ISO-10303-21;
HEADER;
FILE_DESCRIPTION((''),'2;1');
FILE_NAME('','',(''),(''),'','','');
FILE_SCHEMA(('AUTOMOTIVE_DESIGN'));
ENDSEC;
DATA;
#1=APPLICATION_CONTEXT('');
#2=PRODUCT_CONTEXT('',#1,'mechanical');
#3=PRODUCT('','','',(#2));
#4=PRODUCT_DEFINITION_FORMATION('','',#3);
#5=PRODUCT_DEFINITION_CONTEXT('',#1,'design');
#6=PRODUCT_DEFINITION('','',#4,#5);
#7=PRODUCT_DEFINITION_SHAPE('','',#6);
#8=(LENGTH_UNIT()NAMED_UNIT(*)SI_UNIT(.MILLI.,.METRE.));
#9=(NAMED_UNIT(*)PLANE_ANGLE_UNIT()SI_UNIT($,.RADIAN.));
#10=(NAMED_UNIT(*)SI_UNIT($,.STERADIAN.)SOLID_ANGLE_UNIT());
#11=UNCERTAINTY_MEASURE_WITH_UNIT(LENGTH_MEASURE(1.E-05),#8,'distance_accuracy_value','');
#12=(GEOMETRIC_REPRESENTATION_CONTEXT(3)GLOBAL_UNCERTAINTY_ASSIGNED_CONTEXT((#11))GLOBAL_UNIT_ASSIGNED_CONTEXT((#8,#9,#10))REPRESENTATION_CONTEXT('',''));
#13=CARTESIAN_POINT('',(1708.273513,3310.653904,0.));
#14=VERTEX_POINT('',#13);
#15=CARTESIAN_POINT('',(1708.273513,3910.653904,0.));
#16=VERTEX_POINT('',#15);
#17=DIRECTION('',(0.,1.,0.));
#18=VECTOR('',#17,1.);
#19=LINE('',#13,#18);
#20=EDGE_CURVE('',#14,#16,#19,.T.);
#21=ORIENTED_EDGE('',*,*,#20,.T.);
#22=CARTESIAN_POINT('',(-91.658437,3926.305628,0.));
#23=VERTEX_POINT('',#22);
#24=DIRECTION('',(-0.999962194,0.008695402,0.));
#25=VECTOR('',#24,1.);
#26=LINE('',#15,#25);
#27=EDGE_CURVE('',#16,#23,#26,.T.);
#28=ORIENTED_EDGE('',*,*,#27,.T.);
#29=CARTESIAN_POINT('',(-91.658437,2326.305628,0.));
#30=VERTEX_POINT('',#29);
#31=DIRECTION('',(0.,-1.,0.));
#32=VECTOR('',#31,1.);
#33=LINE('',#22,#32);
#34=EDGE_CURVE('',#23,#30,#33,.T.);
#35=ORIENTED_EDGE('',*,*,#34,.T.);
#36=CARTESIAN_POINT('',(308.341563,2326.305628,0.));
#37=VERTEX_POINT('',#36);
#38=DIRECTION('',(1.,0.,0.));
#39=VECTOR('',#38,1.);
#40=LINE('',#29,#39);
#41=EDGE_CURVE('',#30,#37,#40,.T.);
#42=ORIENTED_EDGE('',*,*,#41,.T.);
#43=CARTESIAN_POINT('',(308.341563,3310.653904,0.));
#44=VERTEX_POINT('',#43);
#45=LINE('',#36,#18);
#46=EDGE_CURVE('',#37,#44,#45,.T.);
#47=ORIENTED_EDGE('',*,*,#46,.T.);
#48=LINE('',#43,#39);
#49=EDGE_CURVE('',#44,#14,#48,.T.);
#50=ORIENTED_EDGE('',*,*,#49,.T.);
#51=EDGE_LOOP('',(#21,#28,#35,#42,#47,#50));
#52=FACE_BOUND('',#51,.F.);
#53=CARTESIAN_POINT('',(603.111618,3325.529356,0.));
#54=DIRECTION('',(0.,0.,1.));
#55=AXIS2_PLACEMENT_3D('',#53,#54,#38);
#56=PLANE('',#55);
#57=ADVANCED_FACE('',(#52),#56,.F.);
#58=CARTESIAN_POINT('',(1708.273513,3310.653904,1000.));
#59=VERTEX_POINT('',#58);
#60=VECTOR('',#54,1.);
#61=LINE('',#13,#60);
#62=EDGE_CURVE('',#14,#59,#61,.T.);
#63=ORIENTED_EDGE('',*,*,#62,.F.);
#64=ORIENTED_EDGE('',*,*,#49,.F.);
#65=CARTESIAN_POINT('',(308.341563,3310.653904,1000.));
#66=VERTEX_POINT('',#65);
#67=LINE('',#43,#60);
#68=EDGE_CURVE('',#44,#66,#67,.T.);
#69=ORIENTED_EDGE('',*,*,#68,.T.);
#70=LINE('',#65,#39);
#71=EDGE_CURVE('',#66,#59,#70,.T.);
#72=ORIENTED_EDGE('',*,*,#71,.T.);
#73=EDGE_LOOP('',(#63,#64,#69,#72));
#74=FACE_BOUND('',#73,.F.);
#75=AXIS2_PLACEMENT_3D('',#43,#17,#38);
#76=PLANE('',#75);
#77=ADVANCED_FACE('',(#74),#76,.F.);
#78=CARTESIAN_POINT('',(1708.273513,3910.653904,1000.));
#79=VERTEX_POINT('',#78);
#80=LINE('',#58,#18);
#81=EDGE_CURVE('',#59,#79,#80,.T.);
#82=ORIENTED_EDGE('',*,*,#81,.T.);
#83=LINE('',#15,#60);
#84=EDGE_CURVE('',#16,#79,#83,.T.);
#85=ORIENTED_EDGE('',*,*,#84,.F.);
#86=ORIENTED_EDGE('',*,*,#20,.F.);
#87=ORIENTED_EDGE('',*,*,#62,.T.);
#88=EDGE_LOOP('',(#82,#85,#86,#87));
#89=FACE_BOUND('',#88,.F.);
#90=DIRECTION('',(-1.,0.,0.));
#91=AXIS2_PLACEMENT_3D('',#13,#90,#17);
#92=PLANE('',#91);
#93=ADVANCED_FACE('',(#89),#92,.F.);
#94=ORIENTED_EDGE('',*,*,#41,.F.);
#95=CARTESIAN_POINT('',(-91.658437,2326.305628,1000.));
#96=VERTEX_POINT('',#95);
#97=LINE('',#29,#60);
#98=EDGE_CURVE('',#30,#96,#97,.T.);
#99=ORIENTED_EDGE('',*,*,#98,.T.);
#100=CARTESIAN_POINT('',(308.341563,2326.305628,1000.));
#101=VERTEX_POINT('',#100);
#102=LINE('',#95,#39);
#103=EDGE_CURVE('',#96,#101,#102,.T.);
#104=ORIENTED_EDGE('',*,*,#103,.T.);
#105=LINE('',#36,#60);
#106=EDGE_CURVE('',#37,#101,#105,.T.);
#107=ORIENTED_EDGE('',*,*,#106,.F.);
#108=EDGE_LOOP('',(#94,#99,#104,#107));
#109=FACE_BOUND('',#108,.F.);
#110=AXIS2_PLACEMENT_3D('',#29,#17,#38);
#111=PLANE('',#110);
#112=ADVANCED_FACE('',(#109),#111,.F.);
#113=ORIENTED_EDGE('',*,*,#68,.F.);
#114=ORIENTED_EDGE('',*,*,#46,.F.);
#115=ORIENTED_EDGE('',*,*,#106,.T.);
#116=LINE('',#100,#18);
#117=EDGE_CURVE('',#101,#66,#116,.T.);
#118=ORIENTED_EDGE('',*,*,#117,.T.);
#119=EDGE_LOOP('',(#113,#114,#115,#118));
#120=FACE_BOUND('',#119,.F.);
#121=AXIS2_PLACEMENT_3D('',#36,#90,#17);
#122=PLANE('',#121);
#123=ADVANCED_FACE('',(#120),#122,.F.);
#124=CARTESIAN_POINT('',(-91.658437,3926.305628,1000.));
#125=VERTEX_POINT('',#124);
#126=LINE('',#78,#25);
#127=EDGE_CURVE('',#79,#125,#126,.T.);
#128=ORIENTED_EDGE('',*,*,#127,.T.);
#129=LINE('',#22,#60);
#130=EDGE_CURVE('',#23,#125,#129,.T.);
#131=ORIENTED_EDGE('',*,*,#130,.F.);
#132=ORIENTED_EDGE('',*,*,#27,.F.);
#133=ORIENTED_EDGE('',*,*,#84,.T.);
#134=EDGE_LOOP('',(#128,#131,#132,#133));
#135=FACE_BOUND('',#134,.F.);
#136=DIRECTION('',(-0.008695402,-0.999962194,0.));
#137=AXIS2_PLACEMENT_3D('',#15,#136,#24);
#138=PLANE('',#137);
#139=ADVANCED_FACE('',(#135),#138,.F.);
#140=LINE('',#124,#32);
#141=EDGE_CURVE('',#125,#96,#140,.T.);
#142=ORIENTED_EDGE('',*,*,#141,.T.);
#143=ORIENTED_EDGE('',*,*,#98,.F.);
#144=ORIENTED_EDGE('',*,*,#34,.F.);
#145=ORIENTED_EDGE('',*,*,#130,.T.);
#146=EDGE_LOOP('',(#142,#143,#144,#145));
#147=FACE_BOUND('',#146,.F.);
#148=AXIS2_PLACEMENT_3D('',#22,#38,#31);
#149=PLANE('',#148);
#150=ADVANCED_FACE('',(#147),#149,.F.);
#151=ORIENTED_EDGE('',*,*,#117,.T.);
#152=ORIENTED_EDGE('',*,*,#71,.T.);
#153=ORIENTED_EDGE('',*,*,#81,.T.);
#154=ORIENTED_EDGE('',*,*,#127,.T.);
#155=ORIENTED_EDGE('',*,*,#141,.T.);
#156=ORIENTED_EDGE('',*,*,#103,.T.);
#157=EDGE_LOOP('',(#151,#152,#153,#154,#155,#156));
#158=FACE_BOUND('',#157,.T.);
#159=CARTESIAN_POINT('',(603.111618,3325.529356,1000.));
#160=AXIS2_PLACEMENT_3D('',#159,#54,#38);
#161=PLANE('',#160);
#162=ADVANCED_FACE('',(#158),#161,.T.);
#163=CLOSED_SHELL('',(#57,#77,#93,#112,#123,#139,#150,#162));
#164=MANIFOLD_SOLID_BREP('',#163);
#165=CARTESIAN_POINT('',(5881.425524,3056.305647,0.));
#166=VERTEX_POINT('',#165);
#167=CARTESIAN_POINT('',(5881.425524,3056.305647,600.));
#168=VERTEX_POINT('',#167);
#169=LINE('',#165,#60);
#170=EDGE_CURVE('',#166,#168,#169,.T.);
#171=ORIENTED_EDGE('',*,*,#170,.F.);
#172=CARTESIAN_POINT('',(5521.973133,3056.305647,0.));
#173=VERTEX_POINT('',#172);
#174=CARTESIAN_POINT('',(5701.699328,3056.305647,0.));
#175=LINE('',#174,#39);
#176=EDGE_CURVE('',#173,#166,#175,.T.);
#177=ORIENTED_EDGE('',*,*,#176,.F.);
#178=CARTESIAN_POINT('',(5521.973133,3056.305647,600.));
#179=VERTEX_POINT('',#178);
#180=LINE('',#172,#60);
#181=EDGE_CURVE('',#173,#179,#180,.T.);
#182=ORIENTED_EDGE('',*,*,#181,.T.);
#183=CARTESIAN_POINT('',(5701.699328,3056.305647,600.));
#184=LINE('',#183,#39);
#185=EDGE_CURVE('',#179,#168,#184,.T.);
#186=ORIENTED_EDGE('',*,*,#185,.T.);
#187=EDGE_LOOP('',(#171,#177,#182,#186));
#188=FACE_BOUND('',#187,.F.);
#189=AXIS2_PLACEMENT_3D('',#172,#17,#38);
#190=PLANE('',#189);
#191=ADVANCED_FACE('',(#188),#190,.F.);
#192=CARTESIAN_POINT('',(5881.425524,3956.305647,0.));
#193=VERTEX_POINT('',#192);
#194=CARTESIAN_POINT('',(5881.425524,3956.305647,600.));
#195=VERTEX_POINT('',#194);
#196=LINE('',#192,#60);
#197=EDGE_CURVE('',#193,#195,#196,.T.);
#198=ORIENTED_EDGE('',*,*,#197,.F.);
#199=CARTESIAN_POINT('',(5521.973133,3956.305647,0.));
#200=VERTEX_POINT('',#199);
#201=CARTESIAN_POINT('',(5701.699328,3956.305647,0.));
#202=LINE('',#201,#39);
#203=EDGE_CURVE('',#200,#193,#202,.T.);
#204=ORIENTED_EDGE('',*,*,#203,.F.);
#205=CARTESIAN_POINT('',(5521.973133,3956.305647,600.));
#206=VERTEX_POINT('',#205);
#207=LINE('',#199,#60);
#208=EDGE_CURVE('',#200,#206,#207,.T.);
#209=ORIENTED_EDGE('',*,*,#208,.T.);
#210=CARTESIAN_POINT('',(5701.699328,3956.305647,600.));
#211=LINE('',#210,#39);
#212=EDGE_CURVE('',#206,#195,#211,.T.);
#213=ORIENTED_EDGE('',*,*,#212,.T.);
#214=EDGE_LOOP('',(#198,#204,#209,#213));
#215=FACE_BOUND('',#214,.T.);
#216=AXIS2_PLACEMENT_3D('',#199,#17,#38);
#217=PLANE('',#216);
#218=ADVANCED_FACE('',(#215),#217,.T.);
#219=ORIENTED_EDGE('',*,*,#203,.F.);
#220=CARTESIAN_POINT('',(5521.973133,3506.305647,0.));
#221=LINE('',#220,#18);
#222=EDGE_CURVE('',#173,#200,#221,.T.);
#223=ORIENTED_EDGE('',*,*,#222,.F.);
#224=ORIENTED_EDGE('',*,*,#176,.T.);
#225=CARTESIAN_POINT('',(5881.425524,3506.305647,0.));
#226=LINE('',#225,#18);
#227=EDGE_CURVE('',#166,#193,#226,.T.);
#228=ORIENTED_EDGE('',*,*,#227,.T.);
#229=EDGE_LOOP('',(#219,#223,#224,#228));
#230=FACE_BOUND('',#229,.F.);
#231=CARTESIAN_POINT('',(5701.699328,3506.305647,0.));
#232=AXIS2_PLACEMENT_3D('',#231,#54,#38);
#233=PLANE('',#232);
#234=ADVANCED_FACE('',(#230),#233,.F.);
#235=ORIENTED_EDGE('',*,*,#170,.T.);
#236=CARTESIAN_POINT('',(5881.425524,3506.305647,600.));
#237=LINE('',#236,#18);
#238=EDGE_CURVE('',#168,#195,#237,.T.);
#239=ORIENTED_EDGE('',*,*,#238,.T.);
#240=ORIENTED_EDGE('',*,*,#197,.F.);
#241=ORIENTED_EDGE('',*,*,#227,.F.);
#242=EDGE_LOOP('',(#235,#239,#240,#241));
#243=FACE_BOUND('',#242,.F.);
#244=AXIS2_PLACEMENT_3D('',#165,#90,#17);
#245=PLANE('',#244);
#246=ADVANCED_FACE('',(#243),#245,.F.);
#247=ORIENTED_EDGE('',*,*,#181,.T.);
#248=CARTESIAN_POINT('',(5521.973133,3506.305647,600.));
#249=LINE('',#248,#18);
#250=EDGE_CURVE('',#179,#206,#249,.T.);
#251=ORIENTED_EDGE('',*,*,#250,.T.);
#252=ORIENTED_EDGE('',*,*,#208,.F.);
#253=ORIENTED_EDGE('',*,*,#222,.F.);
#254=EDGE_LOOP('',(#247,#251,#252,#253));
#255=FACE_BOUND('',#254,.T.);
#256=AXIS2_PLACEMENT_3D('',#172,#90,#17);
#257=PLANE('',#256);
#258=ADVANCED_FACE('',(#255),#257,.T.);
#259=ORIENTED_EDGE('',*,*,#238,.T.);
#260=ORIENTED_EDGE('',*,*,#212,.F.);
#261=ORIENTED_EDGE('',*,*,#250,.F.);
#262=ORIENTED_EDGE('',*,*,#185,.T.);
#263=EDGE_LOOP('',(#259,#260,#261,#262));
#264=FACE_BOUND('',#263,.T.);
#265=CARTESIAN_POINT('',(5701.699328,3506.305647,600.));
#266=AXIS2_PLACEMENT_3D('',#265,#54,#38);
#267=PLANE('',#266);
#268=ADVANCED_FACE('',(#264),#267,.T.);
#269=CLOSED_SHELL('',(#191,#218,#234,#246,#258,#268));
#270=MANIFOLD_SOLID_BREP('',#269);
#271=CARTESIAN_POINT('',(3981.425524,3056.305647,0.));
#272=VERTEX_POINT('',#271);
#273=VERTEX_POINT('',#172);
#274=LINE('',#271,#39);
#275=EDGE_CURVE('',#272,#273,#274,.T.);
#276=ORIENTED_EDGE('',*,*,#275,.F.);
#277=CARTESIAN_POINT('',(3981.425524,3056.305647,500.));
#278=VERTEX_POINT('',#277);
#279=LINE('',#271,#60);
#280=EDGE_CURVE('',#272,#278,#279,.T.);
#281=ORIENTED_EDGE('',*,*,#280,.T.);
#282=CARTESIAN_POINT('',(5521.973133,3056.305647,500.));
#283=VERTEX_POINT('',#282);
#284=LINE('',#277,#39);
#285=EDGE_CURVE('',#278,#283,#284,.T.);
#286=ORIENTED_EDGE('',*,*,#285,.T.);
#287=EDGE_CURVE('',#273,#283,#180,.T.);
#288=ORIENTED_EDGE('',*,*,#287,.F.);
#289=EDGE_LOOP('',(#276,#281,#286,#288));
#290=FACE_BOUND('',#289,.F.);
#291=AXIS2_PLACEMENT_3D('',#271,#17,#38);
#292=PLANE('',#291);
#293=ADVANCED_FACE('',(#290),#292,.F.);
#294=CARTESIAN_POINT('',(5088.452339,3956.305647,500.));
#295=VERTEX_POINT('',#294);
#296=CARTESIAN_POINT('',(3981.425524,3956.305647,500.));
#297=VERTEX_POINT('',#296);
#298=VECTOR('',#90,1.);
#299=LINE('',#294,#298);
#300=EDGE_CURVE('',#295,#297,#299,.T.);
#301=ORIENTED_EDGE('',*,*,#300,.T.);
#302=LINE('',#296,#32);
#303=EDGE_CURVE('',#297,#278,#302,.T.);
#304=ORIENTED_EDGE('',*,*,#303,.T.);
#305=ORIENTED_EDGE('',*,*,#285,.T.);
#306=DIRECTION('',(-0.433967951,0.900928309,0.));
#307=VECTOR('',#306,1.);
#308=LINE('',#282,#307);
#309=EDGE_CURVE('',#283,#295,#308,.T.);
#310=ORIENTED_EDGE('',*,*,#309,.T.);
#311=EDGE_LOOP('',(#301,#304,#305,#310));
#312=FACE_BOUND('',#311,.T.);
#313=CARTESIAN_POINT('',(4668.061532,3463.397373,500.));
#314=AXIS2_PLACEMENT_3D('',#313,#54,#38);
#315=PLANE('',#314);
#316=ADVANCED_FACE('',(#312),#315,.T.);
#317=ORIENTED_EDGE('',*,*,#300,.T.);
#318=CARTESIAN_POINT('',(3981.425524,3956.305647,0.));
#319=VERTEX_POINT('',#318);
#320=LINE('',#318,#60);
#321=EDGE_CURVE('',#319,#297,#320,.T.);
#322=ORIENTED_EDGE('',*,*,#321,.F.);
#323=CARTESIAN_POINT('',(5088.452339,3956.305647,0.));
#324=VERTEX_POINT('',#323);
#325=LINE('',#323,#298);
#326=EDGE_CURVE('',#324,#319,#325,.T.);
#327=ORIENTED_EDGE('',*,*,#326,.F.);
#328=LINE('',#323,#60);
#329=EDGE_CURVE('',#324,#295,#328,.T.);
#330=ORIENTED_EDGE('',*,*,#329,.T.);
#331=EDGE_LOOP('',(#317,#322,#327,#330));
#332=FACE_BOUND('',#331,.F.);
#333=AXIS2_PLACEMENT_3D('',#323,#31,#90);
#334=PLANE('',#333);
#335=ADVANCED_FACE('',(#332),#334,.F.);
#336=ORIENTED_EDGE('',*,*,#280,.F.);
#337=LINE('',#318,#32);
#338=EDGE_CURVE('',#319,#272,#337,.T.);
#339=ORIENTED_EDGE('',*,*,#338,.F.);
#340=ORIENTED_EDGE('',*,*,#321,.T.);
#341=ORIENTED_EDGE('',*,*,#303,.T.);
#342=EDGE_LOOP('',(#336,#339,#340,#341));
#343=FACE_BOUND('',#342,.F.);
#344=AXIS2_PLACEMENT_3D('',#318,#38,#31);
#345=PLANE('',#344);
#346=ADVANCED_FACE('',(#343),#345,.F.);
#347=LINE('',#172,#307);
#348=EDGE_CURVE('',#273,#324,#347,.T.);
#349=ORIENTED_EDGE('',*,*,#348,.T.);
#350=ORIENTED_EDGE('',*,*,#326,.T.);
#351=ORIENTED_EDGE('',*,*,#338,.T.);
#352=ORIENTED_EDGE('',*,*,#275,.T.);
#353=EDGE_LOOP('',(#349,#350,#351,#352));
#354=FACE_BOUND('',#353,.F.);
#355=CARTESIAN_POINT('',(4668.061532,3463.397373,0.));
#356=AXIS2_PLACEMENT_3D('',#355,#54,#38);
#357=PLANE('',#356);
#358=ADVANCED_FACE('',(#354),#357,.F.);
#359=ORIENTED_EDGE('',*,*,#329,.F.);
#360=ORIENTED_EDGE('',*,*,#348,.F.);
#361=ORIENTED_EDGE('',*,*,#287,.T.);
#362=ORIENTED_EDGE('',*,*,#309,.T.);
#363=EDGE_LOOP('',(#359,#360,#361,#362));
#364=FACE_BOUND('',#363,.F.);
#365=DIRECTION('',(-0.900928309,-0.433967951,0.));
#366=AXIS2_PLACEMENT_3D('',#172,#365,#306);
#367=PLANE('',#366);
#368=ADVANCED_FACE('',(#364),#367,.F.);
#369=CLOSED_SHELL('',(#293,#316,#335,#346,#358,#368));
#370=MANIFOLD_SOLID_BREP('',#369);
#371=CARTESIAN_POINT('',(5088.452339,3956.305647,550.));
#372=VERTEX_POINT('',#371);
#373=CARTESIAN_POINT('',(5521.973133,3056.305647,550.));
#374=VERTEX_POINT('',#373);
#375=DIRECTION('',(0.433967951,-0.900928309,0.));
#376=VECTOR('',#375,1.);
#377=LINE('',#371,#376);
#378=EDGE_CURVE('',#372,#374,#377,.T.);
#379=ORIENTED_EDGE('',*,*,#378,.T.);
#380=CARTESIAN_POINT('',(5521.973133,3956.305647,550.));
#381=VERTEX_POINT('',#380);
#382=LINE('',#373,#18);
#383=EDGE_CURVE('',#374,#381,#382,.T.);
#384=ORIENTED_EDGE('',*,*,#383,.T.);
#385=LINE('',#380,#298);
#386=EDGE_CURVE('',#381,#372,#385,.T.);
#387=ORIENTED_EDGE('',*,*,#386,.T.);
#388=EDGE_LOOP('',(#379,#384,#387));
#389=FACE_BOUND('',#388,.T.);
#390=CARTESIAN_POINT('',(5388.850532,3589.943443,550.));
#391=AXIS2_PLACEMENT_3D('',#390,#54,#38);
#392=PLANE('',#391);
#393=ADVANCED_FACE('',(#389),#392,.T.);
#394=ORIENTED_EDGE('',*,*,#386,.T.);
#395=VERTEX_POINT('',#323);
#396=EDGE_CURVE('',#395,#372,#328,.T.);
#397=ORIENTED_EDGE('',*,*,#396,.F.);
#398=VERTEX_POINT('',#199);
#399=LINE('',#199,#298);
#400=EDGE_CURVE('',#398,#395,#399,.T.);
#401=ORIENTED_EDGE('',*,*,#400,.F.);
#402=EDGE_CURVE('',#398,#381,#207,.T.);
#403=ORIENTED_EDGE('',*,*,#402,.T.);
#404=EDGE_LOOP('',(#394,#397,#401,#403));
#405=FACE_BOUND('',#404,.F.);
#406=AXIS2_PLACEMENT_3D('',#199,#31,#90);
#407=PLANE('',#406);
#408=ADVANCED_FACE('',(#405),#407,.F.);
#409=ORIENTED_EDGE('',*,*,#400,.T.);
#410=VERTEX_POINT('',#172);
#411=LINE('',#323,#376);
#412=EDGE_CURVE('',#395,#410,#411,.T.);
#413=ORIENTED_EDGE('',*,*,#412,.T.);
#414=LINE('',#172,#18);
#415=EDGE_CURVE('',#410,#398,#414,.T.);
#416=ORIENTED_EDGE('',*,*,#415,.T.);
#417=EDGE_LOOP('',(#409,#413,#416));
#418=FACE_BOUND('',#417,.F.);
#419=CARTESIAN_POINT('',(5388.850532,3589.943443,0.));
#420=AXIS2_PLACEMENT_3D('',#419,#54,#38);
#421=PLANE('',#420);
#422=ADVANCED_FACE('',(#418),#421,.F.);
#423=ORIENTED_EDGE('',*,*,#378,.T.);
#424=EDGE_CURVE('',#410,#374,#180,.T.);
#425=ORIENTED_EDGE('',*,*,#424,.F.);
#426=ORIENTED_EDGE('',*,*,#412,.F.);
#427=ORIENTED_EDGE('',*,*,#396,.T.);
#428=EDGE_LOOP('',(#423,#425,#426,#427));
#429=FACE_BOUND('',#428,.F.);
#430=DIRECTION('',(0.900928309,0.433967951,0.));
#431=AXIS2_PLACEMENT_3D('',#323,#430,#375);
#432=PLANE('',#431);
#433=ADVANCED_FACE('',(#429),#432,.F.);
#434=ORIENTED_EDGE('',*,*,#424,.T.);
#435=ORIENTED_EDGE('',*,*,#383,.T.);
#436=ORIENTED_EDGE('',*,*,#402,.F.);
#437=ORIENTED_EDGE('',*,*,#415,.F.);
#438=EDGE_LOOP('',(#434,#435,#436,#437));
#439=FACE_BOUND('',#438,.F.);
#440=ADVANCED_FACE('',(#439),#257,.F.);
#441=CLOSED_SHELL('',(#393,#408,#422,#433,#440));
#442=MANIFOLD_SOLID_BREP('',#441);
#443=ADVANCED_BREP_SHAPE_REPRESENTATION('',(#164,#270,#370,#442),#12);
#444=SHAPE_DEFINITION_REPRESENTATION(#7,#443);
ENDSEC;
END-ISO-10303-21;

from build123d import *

# Parameters (mm, degrees)
F1_DEPTH = 1000
F2_DEPTH = 500
F0_W     = 359.452391
F0_H     = 900
F3_DEPTH = 600
F4_DEPTH = 550


with BuildPart() as f1:
    # F0 (on Top) → F1 (new body)
    with BuildSketch(Plane.XY):
        Polygon((1708.273513, 3910.653904), (-91.658437, 3926.305628), (-91.658437, 2326.305628), (308.341563, 2326.305628), (308.341563, 3310.653904), (1708.273513, 3310.653904), align=None)
    extrude(amount=F1_DEPTH)


with BuildPart() as f2:
    # F0 (on Top) → F2 (new body)
    with BuildSketch(Plane.XY):
        Polygon((3981.425524, 3956.305647), (3981.425524, 3056.305647), (5521.973133, 3056.305647), (5088.452339, 3956.305647), align=None)
    extrude(amount=F2_DEPTH)


with BuildPart() as f3:
    # F0 (on Top) → F3 (new body)
    with BuildSketch(Plane.XY):
        with Locations((5701.699328, 3506.305647)):
            Rectangle(F0_W, F0_H)
    extrude(amount=F3_DEPTH)


with BuildPart() as f4:
    # F0 (on Top) → F4 (new body)
    with BuildSketch(Plane.XY):
        Polygon((5088.452339, 3956.305647), (5521.973133, 3056.305647), (5521.973133, 3956.305647), align=None)
    extrude(amount=F4_DEPTH)


solid = Compound([f1.part, f2.part, f3.part, f4.part])
